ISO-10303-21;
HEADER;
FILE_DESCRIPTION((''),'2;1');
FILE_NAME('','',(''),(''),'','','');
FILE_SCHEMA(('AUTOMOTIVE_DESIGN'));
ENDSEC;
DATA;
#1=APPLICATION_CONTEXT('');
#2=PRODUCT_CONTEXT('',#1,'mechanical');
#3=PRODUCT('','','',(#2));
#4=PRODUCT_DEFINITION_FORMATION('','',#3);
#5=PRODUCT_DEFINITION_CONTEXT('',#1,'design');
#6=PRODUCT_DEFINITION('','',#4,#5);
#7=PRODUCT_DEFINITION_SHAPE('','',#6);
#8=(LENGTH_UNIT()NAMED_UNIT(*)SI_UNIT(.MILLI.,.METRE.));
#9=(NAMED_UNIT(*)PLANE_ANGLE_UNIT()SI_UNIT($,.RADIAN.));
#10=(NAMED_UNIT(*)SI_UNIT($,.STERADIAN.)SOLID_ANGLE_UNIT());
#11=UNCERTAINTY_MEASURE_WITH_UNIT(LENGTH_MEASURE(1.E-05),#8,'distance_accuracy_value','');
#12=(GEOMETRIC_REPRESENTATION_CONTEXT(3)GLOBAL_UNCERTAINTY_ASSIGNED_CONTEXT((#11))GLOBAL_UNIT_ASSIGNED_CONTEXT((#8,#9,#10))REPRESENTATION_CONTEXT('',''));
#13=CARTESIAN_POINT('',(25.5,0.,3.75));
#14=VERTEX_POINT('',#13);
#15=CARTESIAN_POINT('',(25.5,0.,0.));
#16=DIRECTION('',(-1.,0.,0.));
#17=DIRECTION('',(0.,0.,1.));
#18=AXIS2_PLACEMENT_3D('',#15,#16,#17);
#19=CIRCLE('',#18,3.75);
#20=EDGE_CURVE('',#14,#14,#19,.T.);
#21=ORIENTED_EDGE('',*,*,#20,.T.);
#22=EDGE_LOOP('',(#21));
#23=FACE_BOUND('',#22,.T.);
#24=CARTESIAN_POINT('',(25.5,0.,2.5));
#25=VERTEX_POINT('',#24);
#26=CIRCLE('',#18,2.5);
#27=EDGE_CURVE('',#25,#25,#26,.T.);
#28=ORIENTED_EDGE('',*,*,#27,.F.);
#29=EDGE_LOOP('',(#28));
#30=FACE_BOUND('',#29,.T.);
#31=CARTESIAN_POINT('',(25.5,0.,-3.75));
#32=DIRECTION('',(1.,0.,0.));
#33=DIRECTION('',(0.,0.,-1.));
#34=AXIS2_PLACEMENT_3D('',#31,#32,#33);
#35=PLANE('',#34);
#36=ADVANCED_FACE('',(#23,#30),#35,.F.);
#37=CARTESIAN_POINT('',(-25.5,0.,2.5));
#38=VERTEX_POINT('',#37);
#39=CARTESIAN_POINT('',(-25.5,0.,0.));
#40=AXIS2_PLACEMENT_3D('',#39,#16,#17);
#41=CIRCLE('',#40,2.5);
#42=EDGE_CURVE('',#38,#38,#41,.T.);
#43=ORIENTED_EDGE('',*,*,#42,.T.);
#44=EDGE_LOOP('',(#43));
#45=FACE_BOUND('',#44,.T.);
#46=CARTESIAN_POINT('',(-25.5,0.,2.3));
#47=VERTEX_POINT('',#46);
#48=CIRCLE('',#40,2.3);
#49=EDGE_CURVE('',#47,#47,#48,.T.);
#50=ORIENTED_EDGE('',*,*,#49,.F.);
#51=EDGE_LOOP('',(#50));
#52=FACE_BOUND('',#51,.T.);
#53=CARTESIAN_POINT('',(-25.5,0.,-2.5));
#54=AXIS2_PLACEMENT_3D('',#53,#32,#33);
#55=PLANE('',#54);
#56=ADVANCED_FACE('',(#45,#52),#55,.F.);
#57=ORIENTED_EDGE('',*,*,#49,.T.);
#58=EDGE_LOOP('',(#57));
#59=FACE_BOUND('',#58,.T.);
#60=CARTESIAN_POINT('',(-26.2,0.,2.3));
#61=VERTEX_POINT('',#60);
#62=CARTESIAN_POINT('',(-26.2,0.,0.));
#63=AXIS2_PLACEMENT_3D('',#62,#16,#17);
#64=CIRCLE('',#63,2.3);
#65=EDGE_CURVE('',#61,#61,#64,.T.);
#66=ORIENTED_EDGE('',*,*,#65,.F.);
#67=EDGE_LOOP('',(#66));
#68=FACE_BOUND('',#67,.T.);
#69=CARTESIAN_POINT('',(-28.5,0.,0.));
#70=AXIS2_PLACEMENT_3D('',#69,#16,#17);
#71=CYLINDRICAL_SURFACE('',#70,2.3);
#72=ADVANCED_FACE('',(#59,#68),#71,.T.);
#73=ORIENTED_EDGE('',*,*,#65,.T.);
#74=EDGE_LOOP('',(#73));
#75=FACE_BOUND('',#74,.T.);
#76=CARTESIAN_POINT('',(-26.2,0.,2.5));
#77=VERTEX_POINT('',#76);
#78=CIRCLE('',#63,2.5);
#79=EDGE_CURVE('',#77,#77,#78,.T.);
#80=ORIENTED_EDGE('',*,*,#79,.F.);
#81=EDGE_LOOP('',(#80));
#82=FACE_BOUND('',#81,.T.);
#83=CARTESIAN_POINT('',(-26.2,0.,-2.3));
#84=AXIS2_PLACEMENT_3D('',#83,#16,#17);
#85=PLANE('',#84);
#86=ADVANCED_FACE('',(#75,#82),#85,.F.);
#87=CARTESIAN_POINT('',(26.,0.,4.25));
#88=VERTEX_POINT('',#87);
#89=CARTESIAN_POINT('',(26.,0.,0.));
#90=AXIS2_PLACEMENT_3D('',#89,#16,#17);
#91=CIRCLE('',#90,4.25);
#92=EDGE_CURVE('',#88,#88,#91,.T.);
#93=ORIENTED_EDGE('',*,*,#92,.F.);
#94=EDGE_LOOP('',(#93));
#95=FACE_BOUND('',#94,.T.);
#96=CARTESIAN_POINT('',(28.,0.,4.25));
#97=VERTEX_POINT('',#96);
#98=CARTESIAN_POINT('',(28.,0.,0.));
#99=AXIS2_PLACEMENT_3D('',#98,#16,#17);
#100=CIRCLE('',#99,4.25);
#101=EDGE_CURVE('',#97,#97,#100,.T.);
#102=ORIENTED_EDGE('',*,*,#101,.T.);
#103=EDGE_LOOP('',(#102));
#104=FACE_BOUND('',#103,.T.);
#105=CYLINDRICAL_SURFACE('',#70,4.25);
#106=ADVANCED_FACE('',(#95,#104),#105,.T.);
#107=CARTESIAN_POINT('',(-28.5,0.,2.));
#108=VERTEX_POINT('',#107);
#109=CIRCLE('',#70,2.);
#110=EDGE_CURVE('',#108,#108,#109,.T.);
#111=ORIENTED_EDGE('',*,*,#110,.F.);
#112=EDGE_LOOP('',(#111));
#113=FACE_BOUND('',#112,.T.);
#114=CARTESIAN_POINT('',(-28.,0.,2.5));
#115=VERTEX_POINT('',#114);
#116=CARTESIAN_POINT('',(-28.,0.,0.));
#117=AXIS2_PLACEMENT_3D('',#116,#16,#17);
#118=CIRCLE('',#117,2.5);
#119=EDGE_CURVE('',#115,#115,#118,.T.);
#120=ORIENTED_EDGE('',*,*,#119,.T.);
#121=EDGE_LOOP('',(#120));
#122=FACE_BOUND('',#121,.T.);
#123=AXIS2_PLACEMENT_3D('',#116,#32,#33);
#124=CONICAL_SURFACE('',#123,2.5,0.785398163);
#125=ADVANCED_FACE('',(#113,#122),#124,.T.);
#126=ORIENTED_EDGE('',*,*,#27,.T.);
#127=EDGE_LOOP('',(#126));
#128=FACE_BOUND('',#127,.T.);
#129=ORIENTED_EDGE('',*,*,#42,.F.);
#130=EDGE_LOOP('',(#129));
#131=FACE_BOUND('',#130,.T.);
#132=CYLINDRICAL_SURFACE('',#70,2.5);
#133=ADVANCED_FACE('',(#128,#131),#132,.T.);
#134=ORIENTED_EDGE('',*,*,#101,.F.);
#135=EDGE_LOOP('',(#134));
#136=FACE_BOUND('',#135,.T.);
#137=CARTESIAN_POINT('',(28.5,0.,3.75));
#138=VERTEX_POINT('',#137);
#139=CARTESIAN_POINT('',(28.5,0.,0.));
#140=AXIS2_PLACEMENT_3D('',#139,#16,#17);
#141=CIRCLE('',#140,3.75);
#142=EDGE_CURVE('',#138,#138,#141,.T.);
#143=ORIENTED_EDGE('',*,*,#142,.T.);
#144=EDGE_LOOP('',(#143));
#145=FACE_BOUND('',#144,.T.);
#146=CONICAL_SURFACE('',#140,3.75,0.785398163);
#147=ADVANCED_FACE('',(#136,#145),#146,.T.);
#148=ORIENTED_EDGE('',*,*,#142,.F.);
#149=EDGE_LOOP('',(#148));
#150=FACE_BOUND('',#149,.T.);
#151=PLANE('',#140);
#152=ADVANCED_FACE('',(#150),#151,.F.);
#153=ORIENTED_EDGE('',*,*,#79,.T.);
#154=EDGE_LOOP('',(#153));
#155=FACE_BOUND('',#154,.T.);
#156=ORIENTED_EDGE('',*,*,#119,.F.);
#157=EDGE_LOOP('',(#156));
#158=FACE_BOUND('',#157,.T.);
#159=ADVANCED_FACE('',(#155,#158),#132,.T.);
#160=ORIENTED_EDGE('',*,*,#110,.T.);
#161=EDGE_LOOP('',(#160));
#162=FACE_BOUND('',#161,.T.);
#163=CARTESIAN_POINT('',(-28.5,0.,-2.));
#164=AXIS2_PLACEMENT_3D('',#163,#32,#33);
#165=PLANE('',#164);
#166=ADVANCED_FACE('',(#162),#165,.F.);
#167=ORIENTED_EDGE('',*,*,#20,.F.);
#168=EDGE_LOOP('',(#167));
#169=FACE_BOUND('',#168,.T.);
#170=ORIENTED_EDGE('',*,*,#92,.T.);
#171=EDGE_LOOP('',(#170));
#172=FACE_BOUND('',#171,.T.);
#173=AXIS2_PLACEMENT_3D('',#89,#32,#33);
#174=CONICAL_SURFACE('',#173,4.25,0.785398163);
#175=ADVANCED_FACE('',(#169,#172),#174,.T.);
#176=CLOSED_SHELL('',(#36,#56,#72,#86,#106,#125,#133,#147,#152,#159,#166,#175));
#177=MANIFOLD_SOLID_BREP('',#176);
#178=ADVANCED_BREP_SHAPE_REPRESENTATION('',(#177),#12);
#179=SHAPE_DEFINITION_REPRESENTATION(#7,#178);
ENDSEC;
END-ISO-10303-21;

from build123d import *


with BuildPart() as part:
    # Sketch1 → Revolve1 (revolve)
    with BuildSketch(Plane(origin=(0, 0, 0), x_dir=(1, 0, 0), z_dir=(0, 1, 0)), mode=Mode.PRIVATE) as revolve1_sk:
        Polygon((-28.5, 0), (28.5, 0), (28.5, 3.75), (28, 4.25), (26, 4.25), (25.5, 3.75), (25.5, 2.5), (-25.5, 2.5), (-25.5, 2.3), (-26.2, 2.3), (-26.2, 2.5), (-28, 2.5), (-28.5, 2), align=None)
    revolve(revolve1_sk.sketch.rotate(Axis((-28.5, 0, 0), (1, 0, 0)), 180), axis=Axis((-28.5, 0, 0), (1, 0, 0)))


solid = part.part
